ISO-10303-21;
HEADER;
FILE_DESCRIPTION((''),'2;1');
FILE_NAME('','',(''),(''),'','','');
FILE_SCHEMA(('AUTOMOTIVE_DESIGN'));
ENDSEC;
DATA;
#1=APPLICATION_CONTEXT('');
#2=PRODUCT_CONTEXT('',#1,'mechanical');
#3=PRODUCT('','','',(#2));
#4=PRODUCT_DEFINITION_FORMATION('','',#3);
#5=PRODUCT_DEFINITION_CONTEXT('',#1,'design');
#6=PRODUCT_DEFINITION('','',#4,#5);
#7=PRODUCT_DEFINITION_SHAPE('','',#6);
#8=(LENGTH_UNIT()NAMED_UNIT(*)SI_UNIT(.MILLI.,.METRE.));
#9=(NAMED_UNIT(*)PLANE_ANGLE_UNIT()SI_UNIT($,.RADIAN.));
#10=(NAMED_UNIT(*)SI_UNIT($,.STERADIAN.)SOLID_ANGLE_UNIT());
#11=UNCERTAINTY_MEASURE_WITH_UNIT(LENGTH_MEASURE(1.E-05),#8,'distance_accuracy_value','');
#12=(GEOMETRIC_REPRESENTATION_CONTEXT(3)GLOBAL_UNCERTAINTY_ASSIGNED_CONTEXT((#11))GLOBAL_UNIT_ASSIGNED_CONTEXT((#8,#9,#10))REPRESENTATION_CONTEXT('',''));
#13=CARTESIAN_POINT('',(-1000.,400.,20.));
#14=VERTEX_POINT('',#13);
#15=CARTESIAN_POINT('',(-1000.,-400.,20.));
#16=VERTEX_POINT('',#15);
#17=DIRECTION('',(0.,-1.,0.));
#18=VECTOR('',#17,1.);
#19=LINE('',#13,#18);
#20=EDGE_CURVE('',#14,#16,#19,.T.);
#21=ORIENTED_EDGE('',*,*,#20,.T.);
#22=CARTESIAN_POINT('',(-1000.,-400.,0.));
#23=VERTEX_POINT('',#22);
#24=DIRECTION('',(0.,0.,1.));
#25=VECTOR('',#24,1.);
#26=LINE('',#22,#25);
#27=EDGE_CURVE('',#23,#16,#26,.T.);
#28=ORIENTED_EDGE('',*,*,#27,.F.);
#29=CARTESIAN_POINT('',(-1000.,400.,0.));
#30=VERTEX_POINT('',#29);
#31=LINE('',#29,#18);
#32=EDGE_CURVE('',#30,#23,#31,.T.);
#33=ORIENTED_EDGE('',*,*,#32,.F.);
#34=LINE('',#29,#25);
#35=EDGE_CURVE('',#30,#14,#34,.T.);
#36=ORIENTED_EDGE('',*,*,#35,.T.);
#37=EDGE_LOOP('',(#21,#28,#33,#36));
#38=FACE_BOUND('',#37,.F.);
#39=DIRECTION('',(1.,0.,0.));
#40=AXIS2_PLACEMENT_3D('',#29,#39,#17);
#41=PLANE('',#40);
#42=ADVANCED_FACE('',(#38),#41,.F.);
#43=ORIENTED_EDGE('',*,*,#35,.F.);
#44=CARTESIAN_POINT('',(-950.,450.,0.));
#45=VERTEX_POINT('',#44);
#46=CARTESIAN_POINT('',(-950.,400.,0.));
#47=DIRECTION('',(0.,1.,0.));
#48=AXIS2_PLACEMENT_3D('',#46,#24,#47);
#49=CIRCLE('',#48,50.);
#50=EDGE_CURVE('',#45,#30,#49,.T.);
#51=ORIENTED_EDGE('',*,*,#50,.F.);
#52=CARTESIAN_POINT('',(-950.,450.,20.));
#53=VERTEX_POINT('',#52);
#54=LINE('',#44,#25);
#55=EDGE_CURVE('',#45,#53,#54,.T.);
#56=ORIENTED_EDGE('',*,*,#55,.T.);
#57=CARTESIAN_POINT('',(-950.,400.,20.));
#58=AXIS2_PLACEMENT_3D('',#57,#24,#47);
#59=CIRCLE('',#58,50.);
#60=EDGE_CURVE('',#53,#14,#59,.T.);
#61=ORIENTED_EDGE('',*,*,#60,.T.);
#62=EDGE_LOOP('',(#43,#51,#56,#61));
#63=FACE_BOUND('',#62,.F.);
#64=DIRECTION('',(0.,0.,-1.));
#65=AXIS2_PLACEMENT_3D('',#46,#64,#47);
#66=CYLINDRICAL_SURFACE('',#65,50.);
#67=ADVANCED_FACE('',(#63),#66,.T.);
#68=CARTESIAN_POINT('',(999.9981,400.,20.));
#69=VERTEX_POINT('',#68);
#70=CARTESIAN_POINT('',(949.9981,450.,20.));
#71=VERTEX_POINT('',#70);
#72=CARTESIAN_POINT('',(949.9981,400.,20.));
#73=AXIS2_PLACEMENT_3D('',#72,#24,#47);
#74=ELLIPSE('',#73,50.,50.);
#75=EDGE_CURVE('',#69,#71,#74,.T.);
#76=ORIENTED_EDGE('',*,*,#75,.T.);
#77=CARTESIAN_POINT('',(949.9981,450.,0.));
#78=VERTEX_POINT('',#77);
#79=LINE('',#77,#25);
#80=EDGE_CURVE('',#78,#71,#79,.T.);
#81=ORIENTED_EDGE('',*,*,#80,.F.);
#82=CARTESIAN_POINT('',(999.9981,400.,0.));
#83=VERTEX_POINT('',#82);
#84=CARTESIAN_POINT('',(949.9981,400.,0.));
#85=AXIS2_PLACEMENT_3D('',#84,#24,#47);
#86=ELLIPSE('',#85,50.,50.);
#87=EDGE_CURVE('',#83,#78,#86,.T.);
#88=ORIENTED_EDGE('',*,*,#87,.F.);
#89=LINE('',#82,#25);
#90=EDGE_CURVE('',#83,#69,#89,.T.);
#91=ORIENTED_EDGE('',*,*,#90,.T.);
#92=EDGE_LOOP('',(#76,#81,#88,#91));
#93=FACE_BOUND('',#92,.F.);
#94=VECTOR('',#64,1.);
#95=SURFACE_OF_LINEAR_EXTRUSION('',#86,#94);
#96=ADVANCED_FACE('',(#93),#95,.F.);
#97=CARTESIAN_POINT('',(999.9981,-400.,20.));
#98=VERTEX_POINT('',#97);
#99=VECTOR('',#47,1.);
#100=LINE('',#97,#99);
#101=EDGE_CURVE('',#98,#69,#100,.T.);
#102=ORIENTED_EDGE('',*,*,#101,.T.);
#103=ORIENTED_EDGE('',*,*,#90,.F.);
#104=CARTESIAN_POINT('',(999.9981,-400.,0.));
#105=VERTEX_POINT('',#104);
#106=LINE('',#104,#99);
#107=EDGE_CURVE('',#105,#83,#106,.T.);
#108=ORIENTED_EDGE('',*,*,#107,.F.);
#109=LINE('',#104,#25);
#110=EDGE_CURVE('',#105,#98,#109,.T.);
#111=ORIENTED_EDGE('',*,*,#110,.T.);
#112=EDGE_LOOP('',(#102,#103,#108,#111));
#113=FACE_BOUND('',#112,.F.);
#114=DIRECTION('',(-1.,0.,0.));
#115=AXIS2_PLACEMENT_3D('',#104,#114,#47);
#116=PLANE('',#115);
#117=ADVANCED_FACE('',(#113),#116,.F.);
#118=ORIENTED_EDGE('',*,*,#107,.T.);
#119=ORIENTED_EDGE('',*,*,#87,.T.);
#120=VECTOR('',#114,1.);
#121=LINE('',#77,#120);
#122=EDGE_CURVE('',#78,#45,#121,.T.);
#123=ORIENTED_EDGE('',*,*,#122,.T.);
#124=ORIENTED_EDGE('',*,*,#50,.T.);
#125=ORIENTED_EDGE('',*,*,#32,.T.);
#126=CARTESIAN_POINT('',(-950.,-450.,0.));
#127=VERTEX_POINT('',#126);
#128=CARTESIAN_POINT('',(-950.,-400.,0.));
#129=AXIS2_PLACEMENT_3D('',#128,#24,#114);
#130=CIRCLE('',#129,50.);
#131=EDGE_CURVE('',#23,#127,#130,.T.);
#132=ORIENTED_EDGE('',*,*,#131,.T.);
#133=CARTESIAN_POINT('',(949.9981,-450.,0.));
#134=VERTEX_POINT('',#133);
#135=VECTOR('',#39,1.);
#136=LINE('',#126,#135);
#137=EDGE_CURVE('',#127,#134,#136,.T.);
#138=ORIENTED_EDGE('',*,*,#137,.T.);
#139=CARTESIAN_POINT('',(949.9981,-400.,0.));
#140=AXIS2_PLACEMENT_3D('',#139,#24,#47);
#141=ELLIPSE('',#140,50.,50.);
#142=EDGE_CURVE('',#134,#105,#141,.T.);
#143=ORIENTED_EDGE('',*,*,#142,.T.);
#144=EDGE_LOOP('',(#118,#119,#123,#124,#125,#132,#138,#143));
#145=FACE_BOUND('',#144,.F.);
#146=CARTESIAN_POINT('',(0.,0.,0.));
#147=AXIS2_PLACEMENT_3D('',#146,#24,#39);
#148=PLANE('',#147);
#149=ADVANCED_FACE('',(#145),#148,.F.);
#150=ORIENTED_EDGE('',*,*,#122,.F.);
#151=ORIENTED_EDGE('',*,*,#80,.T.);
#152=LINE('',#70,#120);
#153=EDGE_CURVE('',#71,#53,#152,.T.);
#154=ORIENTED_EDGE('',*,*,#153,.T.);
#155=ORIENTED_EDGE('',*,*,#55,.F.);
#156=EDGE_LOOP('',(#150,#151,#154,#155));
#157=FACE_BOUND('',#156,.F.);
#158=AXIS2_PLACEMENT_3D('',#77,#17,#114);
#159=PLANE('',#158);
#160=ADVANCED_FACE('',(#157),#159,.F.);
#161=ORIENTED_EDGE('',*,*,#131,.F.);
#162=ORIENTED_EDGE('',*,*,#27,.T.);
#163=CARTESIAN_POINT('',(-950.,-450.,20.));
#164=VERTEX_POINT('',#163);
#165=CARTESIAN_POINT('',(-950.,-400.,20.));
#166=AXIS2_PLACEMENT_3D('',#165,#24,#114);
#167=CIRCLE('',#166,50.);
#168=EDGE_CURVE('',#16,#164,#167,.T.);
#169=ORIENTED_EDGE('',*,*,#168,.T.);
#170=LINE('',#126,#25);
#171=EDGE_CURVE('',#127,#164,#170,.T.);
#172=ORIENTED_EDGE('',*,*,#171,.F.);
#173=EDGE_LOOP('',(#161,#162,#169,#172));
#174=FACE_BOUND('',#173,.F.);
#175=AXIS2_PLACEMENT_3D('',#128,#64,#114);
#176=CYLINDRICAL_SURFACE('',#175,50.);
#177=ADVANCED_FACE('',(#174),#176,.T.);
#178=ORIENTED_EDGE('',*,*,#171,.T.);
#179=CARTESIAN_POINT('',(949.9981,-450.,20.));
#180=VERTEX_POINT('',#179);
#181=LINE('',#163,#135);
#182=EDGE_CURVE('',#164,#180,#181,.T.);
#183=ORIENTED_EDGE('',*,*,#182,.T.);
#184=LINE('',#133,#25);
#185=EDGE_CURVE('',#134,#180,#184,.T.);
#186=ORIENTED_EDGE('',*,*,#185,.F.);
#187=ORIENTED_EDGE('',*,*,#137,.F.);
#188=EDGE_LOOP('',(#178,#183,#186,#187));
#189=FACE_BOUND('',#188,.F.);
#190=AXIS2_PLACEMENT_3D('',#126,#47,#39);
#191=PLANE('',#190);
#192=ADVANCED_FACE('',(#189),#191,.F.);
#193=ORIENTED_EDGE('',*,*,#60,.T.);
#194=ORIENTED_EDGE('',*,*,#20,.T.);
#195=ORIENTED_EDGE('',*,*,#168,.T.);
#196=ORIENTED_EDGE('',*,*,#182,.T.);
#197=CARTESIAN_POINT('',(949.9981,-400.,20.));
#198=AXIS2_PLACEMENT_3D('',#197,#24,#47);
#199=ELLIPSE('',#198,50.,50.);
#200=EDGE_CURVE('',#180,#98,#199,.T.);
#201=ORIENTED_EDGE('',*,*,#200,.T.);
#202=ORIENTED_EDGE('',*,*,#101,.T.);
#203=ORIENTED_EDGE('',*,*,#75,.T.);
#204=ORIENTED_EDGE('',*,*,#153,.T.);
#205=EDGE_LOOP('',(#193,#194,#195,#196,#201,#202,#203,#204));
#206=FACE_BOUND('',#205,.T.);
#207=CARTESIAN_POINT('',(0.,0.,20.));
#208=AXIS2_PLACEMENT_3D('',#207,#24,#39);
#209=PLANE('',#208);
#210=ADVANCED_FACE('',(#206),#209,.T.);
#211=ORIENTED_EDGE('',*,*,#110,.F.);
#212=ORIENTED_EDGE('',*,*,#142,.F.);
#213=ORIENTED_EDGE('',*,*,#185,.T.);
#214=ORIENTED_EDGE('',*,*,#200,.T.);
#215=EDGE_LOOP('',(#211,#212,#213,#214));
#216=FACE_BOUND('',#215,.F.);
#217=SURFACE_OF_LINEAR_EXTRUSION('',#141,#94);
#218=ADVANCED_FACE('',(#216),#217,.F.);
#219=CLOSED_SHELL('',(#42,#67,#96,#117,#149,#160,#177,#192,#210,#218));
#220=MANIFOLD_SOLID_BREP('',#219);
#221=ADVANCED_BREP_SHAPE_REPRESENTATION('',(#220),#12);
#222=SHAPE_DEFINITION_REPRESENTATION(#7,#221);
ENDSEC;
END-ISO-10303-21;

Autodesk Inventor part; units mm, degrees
ref_plane "YZ Plane" through (0, 0, 0) normal (1, 0, 0) x (0, 1, 0)
ref_plane "XZ Plane" through (0, 0, 0) normal (0, 1, 0) x (-1, 0, 0)
ref_plane "XY Plane" through (0, 0, 0) normal (0, 0, 1) x (1, 0, 0)
ref_plane "Work Plane1" through (0, 0, 0) normal (0, 0, 1) x (1, 0, 0)
sketch "Sketch1" plane through (0, 0, 0) normal (0, 0, 1) x (1, 0, 0)
  line L0 (999.9981, -400) -> (999.9981, 400) projected
  ellipse E0 centre (949.9981, 400) end of major axis (949.9981, 450) minor radius 50 (999.9981, 400) -> (949.9981, 450) ccw projected
  ellipse E1 centre (949.9981, -400) end of major axis (949.9981, -350) minor radius 50 (949.9981, -450) -> (999.9981, -400) ccw projected
  arc A0 (-1000, -400) -> (-950, -450) centre (-950, -400) ccw projected
  line L1 (-1000, 400) -> (-1000, -400) projected
  arc A1 (-950, 450) -> (-1000, 400) centre (-950, 400) ccw projected
  line L2 (949.9981, 450) -> (-950, 450)
  line L3 (-950, -450) -> (949.9981, -450)
  point P0 (0, 0)
extrude "Extrusion1" add sketch "Sketch1" along normal blind 20
